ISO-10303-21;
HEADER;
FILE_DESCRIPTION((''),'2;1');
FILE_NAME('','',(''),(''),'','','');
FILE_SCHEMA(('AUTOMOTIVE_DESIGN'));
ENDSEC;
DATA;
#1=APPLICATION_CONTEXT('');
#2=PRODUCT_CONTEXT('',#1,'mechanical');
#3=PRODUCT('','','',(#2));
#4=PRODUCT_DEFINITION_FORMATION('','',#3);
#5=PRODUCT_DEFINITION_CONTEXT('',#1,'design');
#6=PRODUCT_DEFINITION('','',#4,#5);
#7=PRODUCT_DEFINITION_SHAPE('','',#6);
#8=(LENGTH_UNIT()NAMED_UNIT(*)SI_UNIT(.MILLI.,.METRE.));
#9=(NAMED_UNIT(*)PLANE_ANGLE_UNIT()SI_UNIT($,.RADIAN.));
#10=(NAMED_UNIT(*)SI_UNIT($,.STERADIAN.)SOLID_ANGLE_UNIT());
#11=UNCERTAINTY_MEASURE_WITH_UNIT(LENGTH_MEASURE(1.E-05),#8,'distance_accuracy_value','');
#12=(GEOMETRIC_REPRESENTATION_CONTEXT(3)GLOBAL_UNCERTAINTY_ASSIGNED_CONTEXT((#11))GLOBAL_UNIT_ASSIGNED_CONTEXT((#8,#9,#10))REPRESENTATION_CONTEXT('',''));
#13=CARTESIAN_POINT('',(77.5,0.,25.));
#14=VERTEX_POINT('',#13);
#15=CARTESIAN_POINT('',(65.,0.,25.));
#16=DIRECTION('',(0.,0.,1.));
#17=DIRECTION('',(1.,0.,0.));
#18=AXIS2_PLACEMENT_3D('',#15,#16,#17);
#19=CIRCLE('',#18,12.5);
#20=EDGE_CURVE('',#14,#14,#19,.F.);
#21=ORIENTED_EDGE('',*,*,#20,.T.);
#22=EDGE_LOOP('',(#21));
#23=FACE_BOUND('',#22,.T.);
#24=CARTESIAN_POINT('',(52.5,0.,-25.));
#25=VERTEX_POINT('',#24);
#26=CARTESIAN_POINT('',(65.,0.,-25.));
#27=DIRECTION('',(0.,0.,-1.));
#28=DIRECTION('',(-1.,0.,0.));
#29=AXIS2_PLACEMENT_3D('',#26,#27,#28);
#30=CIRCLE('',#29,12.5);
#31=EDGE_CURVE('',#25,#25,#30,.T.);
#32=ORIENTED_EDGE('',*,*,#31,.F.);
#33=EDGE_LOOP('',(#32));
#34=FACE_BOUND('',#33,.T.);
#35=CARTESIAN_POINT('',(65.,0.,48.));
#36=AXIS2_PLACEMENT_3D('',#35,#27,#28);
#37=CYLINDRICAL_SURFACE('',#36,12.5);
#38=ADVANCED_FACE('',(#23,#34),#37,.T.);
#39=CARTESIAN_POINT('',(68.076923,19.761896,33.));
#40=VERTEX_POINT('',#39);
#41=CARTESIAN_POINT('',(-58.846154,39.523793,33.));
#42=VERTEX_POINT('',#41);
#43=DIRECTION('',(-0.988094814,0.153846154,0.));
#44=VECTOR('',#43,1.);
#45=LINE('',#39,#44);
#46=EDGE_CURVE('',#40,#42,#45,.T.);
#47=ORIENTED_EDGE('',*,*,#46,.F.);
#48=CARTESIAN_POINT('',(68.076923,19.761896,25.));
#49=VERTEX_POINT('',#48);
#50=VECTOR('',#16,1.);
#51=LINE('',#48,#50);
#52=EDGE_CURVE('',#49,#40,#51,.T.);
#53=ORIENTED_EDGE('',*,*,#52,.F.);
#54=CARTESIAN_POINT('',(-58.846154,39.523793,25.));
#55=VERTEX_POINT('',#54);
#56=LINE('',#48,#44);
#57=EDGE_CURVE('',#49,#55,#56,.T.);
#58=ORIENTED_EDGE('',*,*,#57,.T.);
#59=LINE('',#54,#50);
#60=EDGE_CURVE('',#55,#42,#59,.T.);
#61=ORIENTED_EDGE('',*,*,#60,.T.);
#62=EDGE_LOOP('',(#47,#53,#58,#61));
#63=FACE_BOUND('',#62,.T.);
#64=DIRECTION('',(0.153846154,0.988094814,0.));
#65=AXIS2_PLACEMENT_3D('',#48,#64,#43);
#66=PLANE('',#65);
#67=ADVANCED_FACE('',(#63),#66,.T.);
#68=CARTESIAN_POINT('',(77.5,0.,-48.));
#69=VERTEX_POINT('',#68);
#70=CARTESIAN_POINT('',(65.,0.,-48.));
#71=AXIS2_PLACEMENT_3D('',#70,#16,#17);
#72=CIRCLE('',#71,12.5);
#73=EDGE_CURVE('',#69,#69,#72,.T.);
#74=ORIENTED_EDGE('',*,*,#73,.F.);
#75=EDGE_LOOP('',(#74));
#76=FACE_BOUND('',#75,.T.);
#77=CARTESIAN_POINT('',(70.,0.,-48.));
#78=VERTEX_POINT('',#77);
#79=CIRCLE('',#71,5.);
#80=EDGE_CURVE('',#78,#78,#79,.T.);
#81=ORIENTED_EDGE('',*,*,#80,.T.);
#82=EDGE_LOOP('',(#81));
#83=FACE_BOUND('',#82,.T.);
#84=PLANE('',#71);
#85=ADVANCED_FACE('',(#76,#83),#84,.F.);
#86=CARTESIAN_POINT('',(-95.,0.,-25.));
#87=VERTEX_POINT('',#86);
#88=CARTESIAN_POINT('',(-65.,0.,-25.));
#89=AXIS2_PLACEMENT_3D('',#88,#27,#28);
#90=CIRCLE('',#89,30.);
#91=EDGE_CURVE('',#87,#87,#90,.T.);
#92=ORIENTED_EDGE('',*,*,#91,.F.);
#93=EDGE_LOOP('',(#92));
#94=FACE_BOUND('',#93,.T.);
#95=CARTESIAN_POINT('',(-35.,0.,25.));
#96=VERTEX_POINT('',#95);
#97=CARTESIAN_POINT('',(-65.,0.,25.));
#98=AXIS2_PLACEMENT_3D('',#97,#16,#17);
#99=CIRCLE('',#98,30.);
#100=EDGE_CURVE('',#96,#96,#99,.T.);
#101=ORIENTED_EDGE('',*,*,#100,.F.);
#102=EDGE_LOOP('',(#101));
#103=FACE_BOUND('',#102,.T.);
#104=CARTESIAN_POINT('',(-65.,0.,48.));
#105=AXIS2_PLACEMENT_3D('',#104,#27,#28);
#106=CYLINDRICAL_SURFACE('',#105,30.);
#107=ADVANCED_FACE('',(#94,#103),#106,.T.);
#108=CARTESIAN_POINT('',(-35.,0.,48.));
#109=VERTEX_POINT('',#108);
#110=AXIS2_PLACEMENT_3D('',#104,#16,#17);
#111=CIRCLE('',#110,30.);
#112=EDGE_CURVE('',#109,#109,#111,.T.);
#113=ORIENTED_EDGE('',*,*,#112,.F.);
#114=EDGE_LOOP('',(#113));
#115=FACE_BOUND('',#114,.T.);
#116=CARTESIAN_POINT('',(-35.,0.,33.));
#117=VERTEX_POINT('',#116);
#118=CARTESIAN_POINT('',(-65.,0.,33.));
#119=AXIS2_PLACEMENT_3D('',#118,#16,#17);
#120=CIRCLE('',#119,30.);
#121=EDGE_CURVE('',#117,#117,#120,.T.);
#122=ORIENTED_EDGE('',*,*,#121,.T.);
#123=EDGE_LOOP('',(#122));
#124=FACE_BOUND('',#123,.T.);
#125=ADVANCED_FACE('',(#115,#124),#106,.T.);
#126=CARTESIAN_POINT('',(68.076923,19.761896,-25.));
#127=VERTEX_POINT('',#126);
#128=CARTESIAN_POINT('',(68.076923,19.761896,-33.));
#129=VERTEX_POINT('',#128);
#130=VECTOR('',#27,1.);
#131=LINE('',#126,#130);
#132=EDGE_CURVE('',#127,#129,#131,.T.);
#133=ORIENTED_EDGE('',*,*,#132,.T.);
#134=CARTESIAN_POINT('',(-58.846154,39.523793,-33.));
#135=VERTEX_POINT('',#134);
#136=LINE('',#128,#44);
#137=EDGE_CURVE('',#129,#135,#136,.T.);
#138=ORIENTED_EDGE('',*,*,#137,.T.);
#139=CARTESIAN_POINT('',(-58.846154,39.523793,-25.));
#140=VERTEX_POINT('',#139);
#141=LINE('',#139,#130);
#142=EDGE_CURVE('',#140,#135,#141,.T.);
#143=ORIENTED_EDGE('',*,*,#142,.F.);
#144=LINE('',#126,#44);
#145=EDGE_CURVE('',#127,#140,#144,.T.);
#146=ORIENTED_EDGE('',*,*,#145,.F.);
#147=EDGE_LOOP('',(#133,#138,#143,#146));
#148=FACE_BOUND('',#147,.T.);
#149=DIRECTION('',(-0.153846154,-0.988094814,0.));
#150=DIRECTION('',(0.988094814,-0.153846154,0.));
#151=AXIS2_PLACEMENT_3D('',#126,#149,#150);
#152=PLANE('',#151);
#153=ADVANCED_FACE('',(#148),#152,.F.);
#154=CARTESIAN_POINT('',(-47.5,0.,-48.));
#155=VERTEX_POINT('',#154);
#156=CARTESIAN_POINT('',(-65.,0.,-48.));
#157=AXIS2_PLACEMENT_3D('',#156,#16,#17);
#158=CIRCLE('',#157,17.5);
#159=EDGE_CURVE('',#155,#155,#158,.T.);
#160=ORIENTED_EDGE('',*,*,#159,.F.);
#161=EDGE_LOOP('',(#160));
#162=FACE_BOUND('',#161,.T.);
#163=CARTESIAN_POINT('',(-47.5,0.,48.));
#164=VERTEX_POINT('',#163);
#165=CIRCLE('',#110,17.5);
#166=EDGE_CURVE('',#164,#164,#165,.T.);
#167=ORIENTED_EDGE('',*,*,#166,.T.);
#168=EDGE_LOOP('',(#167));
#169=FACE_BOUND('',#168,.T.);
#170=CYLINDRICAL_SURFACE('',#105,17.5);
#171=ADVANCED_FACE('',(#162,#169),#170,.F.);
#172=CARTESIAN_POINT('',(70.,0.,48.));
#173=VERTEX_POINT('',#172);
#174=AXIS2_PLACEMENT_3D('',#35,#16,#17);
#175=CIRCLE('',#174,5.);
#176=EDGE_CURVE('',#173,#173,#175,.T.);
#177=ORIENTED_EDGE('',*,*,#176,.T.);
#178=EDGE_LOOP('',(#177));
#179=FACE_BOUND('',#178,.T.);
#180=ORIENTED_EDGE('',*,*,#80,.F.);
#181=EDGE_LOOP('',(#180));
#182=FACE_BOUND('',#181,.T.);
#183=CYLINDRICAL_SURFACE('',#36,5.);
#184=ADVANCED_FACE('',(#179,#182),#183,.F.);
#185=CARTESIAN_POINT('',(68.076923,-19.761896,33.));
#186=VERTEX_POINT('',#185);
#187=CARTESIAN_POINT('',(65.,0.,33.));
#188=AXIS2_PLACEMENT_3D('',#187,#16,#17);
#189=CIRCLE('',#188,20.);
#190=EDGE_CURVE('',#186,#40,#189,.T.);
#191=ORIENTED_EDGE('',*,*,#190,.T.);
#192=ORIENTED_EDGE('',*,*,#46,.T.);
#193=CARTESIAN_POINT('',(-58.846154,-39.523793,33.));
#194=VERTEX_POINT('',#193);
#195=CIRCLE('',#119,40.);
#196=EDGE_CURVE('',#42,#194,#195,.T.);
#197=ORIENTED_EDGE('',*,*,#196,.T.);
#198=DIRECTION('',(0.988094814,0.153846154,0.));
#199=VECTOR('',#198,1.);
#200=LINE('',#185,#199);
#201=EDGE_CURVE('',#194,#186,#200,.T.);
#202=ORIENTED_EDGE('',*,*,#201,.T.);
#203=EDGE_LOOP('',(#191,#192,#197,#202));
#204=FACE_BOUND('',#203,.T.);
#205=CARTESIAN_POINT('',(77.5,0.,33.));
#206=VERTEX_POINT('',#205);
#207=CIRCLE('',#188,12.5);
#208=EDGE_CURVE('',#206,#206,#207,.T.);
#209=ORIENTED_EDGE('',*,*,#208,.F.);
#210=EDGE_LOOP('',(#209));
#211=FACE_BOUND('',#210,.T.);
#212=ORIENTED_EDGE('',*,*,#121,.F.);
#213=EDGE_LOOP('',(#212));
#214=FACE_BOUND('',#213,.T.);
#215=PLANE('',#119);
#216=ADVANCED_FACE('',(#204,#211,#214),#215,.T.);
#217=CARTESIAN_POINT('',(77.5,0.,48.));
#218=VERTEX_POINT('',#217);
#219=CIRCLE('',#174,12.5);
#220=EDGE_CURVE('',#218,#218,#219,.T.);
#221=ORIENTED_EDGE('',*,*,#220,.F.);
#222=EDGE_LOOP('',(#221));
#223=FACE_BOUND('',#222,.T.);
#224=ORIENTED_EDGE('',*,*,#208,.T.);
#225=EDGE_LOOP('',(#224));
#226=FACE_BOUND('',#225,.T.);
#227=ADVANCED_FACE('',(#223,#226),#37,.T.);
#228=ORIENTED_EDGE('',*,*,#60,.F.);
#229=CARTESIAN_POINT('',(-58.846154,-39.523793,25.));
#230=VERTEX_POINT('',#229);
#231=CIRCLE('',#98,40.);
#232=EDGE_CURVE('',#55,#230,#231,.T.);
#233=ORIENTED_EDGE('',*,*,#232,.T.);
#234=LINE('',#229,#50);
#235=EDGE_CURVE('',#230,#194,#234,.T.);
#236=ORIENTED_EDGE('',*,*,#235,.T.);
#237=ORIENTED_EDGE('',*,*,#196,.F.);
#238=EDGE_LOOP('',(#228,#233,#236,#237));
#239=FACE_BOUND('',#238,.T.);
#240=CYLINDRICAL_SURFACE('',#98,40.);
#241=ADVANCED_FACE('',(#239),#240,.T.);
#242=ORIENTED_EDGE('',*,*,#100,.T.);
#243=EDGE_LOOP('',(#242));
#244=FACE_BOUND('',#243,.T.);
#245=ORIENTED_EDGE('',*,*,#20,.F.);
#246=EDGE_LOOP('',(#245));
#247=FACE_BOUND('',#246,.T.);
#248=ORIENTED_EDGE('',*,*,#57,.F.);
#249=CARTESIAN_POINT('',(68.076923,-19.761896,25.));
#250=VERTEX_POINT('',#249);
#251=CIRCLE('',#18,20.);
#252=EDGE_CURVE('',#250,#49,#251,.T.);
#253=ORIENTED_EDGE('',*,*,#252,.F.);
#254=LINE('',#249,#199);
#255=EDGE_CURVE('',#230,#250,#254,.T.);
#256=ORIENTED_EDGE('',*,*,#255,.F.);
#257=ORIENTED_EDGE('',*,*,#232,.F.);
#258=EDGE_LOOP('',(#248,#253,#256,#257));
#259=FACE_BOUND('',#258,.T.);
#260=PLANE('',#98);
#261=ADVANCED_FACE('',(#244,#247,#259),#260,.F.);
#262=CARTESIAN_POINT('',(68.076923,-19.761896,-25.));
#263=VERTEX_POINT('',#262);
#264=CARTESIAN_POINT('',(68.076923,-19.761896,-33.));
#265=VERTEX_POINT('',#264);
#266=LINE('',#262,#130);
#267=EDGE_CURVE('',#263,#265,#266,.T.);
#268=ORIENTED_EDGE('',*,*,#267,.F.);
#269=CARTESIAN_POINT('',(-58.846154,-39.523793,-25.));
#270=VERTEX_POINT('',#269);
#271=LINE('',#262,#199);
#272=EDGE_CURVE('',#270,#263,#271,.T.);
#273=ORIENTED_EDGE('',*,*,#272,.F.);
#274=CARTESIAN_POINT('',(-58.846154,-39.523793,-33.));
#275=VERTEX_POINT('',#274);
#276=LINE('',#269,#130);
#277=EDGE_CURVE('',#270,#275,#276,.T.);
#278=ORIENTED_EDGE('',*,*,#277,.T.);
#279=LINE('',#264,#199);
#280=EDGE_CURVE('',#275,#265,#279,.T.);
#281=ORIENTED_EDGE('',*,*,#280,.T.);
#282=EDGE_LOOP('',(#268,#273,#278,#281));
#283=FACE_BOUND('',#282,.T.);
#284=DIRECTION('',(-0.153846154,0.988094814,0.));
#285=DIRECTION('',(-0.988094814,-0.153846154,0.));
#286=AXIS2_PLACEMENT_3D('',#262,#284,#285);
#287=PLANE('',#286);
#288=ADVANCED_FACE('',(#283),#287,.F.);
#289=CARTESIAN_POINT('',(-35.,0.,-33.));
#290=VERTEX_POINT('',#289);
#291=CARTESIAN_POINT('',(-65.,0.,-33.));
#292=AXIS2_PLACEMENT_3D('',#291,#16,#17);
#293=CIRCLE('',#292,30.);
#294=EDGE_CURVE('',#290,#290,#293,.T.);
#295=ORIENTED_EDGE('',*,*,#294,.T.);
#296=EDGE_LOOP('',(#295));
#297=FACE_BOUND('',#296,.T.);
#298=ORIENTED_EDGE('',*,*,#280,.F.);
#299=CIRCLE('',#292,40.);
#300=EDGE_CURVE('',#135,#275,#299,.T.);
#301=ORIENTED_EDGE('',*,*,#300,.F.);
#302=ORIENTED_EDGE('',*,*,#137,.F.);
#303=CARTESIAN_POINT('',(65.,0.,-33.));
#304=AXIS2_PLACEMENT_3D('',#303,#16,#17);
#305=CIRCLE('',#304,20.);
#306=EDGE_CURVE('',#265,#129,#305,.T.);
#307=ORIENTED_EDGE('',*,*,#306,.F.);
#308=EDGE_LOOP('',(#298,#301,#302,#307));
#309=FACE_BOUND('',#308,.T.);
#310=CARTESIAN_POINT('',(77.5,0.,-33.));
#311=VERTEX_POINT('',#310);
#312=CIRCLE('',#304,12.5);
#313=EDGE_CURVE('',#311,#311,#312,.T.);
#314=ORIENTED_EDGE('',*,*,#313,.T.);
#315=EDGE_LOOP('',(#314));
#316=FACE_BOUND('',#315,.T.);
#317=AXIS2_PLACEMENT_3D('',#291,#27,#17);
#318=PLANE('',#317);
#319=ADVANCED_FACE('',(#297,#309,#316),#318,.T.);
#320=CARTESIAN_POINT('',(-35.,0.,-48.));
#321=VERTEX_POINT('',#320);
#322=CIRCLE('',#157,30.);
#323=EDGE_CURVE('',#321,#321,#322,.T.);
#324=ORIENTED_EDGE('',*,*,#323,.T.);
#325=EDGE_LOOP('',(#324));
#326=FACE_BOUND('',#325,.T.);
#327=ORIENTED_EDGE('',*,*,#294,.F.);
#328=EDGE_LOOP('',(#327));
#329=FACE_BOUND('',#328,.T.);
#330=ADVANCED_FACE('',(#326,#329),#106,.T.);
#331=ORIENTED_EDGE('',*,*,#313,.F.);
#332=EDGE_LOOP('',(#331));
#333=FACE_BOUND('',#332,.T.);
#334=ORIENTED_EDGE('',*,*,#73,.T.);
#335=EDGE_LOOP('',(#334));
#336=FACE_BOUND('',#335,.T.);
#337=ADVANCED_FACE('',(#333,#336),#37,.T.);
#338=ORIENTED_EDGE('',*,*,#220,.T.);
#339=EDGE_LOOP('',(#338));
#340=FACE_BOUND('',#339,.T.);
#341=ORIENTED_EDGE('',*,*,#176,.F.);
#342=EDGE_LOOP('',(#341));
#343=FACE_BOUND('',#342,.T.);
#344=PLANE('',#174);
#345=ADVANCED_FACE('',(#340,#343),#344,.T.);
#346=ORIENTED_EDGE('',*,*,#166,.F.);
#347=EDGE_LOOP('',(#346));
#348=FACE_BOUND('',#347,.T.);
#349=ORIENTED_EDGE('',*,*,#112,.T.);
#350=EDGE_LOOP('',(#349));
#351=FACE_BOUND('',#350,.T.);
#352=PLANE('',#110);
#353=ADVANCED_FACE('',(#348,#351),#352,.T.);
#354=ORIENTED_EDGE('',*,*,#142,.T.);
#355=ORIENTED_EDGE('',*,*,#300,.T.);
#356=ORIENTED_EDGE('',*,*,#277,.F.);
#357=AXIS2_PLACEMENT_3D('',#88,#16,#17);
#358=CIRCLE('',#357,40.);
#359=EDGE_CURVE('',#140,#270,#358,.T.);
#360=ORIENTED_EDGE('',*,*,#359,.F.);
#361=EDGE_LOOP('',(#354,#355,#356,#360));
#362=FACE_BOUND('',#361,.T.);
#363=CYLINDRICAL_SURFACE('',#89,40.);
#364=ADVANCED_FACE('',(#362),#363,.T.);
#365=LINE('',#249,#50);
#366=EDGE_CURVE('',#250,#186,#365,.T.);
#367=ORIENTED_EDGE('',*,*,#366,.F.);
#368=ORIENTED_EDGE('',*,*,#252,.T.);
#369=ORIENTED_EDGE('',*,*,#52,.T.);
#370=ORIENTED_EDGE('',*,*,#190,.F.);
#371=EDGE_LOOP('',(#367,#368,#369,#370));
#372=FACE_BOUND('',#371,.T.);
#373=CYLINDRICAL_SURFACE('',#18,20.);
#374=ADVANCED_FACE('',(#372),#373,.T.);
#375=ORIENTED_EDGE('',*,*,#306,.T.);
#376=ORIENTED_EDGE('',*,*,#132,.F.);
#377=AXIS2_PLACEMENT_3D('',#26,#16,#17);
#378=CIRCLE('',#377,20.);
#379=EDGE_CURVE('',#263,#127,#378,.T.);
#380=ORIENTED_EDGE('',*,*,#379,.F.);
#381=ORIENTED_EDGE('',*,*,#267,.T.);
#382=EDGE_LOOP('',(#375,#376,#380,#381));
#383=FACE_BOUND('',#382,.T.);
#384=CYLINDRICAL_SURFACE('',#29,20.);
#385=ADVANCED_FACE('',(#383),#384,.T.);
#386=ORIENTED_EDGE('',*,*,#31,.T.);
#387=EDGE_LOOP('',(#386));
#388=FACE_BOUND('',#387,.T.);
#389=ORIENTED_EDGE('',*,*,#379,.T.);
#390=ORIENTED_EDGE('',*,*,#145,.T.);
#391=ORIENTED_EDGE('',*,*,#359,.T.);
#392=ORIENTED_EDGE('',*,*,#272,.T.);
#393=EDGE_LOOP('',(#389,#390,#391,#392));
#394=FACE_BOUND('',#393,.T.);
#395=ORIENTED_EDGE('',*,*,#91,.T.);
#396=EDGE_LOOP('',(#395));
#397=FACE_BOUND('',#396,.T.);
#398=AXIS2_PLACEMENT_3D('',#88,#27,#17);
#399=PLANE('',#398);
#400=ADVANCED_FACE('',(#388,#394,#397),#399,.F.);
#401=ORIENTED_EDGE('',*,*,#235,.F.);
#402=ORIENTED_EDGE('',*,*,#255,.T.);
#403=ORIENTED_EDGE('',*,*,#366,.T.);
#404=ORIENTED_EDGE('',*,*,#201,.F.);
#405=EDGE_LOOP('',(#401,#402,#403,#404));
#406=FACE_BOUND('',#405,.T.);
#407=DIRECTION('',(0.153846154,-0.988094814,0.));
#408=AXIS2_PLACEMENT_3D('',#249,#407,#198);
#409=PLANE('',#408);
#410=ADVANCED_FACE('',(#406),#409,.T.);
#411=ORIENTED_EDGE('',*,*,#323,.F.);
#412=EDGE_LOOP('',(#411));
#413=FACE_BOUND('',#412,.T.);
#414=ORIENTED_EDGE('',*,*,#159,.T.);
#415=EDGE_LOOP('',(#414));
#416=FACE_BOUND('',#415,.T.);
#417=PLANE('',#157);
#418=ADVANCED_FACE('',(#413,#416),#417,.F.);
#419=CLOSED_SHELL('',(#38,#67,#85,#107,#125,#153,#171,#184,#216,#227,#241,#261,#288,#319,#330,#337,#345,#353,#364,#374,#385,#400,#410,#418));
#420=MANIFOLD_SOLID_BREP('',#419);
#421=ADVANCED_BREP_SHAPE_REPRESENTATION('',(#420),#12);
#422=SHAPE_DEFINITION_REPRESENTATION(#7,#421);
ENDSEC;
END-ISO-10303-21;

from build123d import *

# Parameters (mm, degrees)
SKETCH1_R             = 30
SKETCH1_R_2           = 17.5
BOSS_EXTRUDE1_DEPTH   = 48
SKETCH1_R_3           = 12.5
SKETCH1_R_4           = 5
BOSS_EXTRUDE1_2_DEPTH = 48
SKETCH2_R             = 30
SKETCH2_R_2           = 12.5
BOSS_EXTRUDE2_DEPTH   = 8


with BuildPart() as part:
    # Sketch1 → Boss-Extrude1 (new, symmetric)
    with BuildSketch(Plane.XY):
        with Locations((-65, 0)):
            Circle(SKETCH1_R)
        with Locations((-65, 0)):
            Circle(SKETCH1_R_2, mode=Mode.SUBTRACT)
    extrude(amount=BOSS_EXTRUDE1_DEPTH, both=True)



with BuildPart() as body_2:
    # Sketch1 → Boss-Extrude1 2 (new, symmetric)
    with BuildSketch(Plane.XY):
        with Locations((65, 0)):
            Circle(SKETCH1_R_3)
        with Locations((65, 0)):
            Circle(SKETCH1_R_4, mode=Mode.SUBTRACT)
    extrude(amount=BOSS_EXTRUDE1_2_DEPTH, both=True)


with BuildPart() as part_1:
    add(part.part)

    add(body_2.part)  # Boss-Extrude2 merges body 2
    # Sketch2 → Boss-Extrude2 (add)
    with BuildSketch(Plane.XY.offset(33)):
        with BuildLine():
            Line((68.076923077, -19.761896275), (-58.846153846, -39.52379255))
            ThreePointArc((-58.846153846, -39.52379255), (-105, 0), (-58.846153846, 39.52379255))
            Line((-58.846153846, 39.52379255), (68.076923077, 19.761896275))
            ThreePointArc((68.076923077, 19.761896275), (85, 0), (68.076923077, -19.761896275))
        make_face()
        with Locations((-65, 0)):
            Circle(SKETCH2_R, mode=Mode.SUBTRACT)
        with Locations((65, 0)):
            Circle(SKETCH2_R_2, mode=Mode.SUBTRACT)
    boss_extrude2 = extrude(amount=-BOSS_EXTRUDE2_DEPTH)

    # Mirror1: Boss-Extrude2 across plane
    add(boss_extrude2.mirror(Plane.XY))


solid = part_1.part
